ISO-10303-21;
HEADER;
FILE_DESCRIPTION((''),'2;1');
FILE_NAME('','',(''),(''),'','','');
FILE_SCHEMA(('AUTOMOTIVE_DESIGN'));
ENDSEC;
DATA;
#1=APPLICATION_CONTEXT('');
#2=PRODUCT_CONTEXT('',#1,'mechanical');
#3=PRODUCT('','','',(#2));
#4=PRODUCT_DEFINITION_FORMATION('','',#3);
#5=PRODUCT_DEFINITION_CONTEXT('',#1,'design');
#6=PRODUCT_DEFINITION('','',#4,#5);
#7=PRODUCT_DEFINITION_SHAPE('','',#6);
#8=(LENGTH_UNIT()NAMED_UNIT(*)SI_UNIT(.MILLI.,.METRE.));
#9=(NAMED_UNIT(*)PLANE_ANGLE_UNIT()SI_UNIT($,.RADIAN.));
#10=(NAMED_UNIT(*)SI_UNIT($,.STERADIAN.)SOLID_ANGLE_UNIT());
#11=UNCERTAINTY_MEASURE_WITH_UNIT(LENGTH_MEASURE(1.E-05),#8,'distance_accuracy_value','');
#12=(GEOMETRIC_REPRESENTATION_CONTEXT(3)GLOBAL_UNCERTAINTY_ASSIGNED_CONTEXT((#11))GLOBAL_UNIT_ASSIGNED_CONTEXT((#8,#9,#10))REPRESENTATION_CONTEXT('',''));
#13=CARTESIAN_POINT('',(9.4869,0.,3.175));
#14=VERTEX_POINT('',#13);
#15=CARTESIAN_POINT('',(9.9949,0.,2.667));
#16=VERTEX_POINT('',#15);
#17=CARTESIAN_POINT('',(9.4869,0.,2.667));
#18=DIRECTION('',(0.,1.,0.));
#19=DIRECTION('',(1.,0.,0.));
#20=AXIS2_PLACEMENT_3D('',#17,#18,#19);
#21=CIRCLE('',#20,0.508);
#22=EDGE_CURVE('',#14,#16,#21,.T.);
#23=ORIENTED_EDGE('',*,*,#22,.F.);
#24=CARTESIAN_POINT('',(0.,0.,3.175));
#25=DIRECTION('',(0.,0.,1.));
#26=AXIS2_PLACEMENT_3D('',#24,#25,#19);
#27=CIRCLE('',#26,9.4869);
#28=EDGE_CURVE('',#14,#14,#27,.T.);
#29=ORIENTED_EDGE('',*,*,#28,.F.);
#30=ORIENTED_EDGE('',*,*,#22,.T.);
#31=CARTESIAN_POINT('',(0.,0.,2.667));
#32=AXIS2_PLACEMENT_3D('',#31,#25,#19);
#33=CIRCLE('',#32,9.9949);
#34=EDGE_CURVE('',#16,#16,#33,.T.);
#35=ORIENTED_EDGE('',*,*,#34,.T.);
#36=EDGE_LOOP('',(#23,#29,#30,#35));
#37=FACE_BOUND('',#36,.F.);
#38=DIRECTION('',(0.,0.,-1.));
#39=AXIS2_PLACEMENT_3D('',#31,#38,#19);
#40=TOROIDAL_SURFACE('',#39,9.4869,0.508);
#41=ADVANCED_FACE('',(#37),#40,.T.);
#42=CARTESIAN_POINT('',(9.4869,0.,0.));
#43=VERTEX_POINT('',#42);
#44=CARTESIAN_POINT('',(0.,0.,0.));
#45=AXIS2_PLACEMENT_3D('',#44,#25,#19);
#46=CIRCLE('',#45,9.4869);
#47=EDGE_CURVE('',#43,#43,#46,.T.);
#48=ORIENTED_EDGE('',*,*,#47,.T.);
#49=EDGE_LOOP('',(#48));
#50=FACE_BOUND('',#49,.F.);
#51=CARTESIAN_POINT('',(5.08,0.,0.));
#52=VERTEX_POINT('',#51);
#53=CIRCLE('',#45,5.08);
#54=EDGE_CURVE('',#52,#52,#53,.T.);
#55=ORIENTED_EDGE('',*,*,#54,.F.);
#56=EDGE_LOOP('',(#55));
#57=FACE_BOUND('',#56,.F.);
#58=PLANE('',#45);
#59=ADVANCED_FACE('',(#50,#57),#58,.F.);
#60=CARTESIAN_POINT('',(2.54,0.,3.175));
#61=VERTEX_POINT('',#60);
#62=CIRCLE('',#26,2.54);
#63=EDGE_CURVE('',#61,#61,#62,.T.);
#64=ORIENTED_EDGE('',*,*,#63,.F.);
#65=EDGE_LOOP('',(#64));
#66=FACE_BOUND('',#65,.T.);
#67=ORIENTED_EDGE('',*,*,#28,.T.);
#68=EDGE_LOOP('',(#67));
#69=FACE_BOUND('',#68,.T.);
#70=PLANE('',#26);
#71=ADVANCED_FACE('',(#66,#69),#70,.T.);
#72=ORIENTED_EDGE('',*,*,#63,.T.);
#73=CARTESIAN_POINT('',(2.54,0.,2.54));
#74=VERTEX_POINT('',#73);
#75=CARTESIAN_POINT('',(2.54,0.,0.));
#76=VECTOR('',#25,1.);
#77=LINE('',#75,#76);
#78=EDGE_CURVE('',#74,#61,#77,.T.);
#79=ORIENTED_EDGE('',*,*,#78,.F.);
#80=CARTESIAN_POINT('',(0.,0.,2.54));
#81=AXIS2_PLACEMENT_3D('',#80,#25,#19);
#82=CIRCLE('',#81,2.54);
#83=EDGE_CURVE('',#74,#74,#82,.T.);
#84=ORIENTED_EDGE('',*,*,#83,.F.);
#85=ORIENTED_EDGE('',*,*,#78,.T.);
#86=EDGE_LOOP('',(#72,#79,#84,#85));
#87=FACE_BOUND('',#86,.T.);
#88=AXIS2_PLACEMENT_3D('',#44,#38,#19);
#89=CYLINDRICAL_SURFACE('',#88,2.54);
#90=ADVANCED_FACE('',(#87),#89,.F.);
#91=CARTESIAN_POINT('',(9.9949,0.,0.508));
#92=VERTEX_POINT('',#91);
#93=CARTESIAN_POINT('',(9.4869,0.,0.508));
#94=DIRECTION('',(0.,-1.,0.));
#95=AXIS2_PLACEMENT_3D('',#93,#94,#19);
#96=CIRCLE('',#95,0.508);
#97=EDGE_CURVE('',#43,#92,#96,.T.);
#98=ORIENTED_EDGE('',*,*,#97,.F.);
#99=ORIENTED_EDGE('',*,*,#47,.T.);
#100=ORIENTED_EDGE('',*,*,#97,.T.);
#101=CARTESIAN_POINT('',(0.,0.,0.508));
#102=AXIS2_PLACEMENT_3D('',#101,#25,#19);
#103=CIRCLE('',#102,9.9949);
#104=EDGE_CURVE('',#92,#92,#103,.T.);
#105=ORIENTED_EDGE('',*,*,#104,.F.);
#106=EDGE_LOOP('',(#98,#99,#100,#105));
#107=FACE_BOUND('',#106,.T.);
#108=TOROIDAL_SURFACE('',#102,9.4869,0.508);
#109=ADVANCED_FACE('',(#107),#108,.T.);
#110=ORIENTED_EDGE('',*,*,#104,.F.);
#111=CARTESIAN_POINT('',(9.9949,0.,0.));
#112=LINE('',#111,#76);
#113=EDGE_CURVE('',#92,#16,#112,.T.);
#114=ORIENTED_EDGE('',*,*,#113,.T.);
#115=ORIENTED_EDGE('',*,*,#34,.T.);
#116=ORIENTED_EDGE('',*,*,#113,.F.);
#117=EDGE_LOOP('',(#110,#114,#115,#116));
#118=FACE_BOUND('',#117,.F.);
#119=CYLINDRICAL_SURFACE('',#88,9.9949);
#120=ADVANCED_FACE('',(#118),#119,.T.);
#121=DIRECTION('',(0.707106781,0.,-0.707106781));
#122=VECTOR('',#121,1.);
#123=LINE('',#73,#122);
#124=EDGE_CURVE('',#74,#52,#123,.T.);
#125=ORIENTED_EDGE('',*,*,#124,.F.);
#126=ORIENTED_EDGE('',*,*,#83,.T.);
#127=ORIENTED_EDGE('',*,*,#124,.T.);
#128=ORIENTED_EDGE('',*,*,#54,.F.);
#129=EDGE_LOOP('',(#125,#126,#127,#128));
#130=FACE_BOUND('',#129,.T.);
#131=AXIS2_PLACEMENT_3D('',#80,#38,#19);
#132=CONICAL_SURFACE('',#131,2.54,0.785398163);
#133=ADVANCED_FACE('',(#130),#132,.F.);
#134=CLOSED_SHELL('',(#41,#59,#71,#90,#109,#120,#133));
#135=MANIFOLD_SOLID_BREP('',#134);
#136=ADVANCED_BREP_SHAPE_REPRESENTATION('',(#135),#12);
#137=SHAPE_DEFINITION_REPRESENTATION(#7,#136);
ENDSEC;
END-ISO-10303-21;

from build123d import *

# Parameters (mm, degrees)
F0_R     = 9.9949
F0_R_2   = 2.54
F1_DEPTH = 3.175
F2_SIZE  = 2.54
F3_R     = 0.508


with BuildPart() as f1:
    # F0 (on Top) → F1 (new body)
    with BuildSketch(Plane.XY):
        Circle(F0_R)
        Circle(F0_R_2, mode=Mode.SUBTRACT)
    extrude(amount=F1_DEPTH)

    # F2
    f2_edges = [f1.edges().sort_by_distance(p)[0] for p in [
        (-2.54, 0, 0),
    ]]
    chamfer(f2_edges, length=F2_SIZE)

    # F3
    f3_edges = [f1.edges().sort_by_distance(p)[0] for p in [
        (-9.9949, 0, 3.175),
        (-9.9949, 0, 0),
    ]]
    fillet(f3_edges, radius=F3_R)


solid = f1.part
